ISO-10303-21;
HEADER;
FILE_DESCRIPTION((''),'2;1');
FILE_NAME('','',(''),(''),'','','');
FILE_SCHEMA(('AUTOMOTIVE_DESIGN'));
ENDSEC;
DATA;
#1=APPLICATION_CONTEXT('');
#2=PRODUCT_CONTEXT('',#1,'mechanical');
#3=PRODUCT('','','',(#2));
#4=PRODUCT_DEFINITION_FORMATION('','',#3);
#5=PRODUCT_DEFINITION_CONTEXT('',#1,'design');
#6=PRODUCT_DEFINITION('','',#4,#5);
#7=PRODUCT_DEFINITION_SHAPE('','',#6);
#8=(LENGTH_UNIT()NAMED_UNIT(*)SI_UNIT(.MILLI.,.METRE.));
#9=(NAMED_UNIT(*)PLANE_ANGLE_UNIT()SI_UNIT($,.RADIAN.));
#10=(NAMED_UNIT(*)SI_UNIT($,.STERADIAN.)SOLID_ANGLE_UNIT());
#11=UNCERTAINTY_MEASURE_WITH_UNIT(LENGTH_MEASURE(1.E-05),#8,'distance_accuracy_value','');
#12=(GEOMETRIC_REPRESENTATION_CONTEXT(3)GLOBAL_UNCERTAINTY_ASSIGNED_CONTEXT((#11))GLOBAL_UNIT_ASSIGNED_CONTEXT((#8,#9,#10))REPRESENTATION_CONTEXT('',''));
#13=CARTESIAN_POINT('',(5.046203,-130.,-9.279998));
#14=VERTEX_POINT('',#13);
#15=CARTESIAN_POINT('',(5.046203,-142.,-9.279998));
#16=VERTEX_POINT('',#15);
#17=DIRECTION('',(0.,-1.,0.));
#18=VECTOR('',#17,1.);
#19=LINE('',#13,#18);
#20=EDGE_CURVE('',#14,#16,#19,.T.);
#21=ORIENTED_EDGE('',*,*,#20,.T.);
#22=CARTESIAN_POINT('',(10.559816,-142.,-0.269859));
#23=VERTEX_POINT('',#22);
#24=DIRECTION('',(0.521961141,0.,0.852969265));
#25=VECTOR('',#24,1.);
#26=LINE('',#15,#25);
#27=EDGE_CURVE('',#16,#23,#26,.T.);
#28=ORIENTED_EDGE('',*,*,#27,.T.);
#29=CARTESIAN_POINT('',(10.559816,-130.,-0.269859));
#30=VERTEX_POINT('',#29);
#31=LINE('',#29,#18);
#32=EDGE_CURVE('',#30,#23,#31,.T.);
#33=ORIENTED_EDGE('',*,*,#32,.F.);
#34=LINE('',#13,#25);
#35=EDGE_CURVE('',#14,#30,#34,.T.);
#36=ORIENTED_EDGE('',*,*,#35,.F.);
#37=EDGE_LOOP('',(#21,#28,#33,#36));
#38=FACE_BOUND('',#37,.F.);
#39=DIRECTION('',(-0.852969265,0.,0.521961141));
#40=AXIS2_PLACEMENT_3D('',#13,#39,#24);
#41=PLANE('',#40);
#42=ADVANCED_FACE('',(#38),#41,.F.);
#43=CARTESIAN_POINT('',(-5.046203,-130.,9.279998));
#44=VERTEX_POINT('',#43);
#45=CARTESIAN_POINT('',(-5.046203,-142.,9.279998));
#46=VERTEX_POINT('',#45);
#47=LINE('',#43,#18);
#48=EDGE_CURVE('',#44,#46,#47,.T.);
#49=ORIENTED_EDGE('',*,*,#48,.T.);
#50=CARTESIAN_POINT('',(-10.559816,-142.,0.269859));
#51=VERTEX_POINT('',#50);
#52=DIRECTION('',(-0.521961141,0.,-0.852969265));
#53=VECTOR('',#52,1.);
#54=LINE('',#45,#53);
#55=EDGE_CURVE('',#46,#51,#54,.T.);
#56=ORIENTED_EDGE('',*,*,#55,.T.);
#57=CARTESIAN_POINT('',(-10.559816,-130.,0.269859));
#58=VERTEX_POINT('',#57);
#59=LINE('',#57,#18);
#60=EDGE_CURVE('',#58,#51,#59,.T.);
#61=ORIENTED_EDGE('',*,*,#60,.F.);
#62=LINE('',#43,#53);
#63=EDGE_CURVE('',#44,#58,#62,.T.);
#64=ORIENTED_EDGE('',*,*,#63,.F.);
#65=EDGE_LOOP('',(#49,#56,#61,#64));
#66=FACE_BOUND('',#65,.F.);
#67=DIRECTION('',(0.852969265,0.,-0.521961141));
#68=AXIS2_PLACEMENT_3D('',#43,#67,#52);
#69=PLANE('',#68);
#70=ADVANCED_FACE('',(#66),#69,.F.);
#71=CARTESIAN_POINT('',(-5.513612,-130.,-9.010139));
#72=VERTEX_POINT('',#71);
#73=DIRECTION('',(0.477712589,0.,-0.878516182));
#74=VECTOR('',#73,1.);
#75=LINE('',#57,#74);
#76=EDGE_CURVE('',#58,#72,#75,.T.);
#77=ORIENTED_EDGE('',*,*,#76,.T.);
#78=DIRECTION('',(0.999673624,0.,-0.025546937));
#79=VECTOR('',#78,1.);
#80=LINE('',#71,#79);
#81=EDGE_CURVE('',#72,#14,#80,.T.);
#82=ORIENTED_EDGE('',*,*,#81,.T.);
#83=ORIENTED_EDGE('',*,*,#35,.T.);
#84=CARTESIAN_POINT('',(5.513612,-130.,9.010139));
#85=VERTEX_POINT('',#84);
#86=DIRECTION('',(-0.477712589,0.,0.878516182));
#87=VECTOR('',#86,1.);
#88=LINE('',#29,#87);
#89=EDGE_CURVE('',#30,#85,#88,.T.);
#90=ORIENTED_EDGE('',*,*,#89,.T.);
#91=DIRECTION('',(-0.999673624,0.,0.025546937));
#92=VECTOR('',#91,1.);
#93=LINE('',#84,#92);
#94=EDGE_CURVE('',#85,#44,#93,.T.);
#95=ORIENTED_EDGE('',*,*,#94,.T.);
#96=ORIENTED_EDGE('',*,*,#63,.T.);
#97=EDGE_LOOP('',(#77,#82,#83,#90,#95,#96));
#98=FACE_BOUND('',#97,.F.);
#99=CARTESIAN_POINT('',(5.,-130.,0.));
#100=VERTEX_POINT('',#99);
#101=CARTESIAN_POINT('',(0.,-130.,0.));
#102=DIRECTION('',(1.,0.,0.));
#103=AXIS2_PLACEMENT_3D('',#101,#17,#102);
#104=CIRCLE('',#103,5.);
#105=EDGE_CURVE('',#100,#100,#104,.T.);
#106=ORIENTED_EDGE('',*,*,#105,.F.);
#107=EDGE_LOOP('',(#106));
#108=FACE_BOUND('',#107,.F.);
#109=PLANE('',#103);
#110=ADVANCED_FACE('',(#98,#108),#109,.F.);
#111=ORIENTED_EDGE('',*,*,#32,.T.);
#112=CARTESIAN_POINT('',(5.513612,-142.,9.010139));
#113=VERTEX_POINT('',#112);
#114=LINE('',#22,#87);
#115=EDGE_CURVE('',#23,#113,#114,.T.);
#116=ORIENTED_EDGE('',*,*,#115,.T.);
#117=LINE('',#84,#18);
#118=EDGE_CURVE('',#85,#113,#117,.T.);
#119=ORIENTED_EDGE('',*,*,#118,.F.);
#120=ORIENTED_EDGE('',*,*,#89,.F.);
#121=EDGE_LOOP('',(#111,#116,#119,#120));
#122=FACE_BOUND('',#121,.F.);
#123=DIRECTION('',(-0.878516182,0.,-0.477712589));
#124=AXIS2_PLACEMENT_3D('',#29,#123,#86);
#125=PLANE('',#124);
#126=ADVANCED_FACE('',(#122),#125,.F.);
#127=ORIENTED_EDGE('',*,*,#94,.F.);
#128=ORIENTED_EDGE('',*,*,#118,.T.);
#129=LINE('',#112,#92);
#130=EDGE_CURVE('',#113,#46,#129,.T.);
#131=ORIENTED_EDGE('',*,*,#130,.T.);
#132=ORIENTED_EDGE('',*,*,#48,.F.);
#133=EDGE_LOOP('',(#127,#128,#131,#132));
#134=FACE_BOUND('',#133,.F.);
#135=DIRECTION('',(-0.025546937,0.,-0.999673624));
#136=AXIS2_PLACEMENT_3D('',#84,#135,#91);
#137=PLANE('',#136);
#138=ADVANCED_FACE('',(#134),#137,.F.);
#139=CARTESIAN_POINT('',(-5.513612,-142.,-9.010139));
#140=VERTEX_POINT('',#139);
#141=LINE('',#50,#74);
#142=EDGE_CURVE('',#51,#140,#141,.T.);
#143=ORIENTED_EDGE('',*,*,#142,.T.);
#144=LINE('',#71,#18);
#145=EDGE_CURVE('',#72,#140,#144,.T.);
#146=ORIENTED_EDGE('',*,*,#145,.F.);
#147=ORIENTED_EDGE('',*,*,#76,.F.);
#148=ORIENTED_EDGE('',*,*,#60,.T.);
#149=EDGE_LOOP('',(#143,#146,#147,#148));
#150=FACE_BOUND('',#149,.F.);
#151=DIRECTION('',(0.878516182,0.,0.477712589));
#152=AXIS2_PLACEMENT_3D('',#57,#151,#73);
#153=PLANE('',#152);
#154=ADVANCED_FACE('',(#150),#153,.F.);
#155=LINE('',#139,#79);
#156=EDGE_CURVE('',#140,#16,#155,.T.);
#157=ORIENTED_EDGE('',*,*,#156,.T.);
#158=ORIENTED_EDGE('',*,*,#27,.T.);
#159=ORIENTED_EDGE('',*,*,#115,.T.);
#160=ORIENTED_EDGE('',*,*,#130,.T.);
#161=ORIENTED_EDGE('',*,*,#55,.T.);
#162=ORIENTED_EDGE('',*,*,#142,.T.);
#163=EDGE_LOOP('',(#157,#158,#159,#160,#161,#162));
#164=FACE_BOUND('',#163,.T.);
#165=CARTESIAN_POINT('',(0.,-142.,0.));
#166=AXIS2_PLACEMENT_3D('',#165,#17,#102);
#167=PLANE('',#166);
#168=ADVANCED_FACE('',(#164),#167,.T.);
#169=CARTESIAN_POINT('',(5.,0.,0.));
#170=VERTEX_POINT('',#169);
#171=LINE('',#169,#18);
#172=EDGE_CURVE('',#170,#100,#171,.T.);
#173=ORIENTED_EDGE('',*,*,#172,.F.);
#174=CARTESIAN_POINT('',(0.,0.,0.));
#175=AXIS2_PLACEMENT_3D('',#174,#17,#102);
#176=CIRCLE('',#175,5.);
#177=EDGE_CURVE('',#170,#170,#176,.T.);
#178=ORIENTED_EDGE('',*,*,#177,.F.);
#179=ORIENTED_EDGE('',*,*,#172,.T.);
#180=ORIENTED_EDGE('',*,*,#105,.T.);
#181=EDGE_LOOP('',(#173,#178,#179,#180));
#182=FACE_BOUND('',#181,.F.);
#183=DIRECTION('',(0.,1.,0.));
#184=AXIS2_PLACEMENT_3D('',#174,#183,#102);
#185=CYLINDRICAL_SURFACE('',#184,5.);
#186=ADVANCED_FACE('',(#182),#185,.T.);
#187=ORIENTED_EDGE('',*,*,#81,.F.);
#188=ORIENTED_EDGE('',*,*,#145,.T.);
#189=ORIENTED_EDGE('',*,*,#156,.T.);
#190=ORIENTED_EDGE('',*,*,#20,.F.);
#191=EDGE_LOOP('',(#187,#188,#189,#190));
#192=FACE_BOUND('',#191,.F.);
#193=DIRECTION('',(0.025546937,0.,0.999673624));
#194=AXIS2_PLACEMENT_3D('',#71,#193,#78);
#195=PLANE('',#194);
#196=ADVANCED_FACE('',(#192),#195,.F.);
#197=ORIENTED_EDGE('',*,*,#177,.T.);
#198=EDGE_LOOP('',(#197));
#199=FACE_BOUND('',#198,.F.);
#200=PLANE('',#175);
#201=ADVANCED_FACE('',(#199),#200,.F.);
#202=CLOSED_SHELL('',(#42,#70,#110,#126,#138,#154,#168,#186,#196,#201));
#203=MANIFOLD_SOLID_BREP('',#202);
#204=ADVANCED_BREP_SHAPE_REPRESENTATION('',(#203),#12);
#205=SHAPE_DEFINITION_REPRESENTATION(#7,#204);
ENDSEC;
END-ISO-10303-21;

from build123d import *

# Parameters (mm, degrees)
F0_R     = 5
F1_DEPTH = 130
F2_R     = 5
F3_DEPTH = 12


with BuildPart() as f1:
    # F0 (on Front) → F1 (new body)
    with BuildSketch(Plane.XZ):
        Circle(F0_R)
    extrude(amount=F1_DEPTH)

    # F2 (on face) → F3 (join)
    with BuildSketch(Plane.XZ.offset(130)):
        Polygon((10.559816, -0.269859), (5.513612, 9.010139), (-5.046203, 9.279998), (-10.559816, 0.269859), (-5.513612, -9.010139), (5.046203, -9.279998), align=None)
        Circle(F2_R, mode=Mode.SUBTRACT)
        Circle(F2_R)
    extrude(amount=F3_DEPTH)


solid = f1.part
